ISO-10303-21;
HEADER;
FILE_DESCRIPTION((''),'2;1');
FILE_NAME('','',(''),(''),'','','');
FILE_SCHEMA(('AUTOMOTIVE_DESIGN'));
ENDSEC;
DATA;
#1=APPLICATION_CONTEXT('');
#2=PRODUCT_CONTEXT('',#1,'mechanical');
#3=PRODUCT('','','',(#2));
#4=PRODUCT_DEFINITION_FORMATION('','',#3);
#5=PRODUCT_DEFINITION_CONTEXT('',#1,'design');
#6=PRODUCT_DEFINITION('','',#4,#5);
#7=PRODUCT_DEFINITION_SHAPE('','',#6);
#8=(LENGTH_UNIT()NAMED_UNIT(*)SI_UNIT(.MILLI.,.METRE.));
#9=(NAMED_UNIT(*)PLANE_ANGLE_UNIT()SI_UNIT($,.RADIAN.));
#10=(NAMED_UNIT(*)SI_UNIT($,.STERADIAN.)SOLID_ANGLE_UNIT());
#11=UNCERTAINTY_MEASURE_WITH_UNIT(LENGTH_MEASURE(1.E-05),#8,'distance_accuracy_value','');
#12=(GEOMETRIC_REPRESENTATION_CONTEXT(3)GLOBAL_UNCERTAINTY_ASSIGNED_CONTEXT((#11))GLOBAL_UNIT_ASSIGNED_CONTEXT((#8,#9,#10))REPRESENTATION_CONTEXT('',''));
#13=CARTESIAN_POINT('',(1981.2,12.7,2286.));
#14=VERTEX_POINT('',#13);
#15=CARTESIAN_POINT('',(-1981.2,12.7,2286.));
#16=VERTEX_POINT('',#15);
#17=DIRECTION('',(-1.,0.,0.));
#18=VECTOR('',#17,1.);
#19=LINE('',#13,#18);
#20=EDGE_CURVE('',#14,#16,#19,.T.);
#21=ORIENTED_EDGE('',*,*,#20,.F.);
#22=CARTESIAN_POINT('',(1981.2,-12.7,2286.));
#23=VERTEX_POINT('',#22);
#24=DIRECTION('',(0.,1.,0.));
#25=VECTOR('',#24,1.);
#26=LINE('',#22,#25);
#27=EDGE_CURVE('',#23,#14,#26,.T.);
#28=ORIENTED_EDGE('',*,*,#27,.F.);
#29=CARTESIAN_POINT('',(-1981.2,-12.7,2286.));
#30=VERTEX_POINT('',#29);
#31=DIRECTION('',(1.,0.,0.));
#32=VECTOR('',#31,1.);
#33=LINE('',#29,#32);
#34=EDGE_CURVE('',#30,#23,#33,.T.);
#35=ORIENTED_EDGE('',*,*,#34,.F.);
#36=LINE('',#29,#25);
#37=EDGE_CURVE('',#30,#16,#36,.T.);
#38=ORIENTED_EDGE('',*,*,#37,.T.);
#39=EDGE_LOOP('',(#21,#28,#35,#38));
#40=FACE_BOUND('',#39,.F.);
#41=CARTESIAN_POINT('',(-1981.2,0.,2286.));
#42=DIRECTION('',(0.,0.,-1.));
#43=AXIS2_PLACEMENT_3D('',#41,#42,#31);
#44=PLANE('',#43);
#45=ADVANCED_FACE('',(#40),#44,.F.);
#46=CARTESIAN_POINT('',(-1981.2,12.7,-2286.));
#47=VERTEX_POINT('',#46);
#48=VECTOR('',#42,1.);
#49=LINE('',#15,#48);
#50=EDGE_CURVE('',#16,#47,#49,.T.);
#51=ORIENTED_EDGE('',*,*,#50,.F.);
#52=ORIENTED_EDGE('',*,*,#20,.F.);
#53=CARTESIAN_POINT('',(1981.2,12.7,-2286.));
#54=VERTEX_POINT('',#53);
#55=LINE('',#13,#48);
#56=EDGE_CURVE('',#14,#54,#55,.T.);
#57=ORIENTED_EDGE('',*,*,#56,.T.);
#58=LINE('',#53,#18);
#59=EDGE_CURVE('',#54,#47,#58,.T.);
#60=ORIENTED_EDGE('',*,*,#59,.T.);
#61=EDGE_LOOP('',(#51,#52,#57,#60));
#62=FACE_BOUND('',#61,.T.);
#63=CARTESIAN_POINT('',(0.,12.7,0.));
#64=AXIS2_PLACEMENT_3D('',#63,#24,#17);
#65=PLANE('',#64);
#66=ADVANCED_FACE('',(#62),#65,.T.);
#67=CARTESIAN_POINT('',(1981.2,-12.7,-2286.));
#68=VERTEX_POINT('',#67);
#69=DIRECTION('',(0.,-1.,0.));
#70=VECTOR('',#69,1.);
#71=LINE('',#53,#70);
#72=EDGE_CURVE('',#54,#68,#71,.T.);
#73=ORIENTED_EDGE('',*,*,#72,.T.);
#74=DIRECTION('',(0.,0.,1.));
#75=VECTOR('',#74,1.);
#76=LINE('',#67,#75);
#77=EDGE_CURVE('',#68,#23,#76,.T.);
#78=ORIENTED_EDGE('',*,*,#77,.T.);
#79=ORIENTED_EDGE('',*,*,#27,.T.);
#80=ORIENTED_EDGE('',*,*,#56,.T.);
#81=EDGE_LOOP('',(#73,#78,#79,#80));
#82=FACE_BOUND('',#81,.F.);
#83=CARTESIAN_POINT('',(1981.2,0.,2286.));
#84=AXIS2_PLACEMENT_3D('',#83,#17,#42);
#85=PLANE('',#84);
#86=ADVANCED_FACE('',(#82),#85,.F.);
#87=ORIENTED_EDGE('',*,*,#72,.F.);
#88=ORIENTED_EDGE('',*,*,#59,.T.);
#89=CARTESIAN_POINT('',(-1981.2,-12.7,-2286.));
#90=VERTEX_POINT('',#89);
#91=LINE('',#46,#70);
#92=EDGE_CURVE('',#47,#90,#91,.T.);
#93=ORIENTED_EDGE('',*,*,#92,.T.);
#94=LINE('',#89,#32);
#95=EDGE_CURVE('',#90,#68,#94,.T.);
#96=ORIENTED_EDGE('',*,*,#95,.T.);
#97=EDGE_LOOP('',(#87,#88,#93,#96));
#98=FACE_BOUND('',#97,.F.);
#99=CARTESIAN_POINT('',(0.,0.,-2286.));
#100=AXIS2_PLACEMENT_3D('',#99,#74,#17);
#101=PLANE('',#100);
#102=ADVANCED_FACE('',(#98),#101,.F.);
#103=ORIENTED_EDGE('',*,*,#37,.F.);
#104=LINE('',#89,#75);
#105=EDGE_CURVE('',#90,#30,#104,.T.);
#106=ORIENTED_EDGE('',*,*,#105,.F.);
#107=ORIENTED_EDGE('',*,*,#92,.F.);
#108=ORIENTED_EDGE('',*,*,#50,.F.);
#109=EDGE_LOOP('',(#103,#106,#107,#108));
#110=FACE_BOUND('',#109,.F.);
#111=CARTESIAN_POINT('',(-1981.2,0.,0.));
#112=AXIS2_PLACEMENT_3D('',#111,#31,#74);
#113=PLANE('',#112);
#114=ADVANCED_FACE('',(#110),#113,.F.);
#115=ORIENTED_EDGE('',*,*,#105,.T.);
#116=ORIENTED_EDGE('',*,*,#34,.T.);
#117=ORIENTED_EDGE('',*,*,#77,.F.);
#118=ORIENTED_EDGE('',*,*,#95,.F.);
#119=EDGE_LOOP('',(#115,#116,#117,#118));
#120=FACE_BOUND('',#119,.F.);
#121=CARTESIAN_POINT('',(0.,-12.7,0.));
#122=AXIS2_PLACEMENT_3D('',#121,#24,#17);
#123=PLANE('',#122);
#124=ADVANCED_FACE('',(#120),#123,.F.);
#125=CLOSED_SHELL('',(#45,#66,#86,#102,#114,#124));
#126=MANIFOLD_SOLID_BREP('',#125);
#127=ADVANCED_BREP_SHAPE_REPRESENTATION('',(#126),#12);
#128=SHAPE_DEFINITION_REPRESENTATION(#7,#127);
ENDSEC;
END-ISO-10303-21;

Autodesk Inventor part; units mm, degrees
ref_plane "YZ Plane" through (0, 0, 0) normal (1, 0, 0) x (0, 1, 0)
ref_plane "XZ Plane" through (0, 0, 0) normal (0, 1, 0) x (-1, 0, 0)
ref_plane "XY Plane" through (0, 0, 0) normal (0, 0, 1) x (1, 0, 0)
sketch "Sketch1" plane through (0, 0, 0) normal (0, 1, 0) x (-1, 0, 0)
  line L0 (1981.2, 2286) -> (-1981.2, 2286)
  line L1 (-1981.2, 2286) -> (-1981.2, -2286)
  line L2 (-1981.2, -2286) -> (1981.2, -2286)
  line L3 (1981.2, -2286) -> (1981.2, 2286)
  line L4 (0, -3200.4) -> (0, 3200.4) projected
  line L5 (-2773.68, 0) -> (2773.68, 0) projected
  line L6 (2773.68, 0) -> (-2773.68, 0) projected
  line L7 (0, -3200.4) -> (0, 3200.4) projected
  point P0 (0, 0)
  dimension "d0" = 3962.4
  dimension "d1" = 4572
extrude "Extrusion1" add sketch "Sketch1" along normal mid plane 25.4
properties part number "Footprint"
